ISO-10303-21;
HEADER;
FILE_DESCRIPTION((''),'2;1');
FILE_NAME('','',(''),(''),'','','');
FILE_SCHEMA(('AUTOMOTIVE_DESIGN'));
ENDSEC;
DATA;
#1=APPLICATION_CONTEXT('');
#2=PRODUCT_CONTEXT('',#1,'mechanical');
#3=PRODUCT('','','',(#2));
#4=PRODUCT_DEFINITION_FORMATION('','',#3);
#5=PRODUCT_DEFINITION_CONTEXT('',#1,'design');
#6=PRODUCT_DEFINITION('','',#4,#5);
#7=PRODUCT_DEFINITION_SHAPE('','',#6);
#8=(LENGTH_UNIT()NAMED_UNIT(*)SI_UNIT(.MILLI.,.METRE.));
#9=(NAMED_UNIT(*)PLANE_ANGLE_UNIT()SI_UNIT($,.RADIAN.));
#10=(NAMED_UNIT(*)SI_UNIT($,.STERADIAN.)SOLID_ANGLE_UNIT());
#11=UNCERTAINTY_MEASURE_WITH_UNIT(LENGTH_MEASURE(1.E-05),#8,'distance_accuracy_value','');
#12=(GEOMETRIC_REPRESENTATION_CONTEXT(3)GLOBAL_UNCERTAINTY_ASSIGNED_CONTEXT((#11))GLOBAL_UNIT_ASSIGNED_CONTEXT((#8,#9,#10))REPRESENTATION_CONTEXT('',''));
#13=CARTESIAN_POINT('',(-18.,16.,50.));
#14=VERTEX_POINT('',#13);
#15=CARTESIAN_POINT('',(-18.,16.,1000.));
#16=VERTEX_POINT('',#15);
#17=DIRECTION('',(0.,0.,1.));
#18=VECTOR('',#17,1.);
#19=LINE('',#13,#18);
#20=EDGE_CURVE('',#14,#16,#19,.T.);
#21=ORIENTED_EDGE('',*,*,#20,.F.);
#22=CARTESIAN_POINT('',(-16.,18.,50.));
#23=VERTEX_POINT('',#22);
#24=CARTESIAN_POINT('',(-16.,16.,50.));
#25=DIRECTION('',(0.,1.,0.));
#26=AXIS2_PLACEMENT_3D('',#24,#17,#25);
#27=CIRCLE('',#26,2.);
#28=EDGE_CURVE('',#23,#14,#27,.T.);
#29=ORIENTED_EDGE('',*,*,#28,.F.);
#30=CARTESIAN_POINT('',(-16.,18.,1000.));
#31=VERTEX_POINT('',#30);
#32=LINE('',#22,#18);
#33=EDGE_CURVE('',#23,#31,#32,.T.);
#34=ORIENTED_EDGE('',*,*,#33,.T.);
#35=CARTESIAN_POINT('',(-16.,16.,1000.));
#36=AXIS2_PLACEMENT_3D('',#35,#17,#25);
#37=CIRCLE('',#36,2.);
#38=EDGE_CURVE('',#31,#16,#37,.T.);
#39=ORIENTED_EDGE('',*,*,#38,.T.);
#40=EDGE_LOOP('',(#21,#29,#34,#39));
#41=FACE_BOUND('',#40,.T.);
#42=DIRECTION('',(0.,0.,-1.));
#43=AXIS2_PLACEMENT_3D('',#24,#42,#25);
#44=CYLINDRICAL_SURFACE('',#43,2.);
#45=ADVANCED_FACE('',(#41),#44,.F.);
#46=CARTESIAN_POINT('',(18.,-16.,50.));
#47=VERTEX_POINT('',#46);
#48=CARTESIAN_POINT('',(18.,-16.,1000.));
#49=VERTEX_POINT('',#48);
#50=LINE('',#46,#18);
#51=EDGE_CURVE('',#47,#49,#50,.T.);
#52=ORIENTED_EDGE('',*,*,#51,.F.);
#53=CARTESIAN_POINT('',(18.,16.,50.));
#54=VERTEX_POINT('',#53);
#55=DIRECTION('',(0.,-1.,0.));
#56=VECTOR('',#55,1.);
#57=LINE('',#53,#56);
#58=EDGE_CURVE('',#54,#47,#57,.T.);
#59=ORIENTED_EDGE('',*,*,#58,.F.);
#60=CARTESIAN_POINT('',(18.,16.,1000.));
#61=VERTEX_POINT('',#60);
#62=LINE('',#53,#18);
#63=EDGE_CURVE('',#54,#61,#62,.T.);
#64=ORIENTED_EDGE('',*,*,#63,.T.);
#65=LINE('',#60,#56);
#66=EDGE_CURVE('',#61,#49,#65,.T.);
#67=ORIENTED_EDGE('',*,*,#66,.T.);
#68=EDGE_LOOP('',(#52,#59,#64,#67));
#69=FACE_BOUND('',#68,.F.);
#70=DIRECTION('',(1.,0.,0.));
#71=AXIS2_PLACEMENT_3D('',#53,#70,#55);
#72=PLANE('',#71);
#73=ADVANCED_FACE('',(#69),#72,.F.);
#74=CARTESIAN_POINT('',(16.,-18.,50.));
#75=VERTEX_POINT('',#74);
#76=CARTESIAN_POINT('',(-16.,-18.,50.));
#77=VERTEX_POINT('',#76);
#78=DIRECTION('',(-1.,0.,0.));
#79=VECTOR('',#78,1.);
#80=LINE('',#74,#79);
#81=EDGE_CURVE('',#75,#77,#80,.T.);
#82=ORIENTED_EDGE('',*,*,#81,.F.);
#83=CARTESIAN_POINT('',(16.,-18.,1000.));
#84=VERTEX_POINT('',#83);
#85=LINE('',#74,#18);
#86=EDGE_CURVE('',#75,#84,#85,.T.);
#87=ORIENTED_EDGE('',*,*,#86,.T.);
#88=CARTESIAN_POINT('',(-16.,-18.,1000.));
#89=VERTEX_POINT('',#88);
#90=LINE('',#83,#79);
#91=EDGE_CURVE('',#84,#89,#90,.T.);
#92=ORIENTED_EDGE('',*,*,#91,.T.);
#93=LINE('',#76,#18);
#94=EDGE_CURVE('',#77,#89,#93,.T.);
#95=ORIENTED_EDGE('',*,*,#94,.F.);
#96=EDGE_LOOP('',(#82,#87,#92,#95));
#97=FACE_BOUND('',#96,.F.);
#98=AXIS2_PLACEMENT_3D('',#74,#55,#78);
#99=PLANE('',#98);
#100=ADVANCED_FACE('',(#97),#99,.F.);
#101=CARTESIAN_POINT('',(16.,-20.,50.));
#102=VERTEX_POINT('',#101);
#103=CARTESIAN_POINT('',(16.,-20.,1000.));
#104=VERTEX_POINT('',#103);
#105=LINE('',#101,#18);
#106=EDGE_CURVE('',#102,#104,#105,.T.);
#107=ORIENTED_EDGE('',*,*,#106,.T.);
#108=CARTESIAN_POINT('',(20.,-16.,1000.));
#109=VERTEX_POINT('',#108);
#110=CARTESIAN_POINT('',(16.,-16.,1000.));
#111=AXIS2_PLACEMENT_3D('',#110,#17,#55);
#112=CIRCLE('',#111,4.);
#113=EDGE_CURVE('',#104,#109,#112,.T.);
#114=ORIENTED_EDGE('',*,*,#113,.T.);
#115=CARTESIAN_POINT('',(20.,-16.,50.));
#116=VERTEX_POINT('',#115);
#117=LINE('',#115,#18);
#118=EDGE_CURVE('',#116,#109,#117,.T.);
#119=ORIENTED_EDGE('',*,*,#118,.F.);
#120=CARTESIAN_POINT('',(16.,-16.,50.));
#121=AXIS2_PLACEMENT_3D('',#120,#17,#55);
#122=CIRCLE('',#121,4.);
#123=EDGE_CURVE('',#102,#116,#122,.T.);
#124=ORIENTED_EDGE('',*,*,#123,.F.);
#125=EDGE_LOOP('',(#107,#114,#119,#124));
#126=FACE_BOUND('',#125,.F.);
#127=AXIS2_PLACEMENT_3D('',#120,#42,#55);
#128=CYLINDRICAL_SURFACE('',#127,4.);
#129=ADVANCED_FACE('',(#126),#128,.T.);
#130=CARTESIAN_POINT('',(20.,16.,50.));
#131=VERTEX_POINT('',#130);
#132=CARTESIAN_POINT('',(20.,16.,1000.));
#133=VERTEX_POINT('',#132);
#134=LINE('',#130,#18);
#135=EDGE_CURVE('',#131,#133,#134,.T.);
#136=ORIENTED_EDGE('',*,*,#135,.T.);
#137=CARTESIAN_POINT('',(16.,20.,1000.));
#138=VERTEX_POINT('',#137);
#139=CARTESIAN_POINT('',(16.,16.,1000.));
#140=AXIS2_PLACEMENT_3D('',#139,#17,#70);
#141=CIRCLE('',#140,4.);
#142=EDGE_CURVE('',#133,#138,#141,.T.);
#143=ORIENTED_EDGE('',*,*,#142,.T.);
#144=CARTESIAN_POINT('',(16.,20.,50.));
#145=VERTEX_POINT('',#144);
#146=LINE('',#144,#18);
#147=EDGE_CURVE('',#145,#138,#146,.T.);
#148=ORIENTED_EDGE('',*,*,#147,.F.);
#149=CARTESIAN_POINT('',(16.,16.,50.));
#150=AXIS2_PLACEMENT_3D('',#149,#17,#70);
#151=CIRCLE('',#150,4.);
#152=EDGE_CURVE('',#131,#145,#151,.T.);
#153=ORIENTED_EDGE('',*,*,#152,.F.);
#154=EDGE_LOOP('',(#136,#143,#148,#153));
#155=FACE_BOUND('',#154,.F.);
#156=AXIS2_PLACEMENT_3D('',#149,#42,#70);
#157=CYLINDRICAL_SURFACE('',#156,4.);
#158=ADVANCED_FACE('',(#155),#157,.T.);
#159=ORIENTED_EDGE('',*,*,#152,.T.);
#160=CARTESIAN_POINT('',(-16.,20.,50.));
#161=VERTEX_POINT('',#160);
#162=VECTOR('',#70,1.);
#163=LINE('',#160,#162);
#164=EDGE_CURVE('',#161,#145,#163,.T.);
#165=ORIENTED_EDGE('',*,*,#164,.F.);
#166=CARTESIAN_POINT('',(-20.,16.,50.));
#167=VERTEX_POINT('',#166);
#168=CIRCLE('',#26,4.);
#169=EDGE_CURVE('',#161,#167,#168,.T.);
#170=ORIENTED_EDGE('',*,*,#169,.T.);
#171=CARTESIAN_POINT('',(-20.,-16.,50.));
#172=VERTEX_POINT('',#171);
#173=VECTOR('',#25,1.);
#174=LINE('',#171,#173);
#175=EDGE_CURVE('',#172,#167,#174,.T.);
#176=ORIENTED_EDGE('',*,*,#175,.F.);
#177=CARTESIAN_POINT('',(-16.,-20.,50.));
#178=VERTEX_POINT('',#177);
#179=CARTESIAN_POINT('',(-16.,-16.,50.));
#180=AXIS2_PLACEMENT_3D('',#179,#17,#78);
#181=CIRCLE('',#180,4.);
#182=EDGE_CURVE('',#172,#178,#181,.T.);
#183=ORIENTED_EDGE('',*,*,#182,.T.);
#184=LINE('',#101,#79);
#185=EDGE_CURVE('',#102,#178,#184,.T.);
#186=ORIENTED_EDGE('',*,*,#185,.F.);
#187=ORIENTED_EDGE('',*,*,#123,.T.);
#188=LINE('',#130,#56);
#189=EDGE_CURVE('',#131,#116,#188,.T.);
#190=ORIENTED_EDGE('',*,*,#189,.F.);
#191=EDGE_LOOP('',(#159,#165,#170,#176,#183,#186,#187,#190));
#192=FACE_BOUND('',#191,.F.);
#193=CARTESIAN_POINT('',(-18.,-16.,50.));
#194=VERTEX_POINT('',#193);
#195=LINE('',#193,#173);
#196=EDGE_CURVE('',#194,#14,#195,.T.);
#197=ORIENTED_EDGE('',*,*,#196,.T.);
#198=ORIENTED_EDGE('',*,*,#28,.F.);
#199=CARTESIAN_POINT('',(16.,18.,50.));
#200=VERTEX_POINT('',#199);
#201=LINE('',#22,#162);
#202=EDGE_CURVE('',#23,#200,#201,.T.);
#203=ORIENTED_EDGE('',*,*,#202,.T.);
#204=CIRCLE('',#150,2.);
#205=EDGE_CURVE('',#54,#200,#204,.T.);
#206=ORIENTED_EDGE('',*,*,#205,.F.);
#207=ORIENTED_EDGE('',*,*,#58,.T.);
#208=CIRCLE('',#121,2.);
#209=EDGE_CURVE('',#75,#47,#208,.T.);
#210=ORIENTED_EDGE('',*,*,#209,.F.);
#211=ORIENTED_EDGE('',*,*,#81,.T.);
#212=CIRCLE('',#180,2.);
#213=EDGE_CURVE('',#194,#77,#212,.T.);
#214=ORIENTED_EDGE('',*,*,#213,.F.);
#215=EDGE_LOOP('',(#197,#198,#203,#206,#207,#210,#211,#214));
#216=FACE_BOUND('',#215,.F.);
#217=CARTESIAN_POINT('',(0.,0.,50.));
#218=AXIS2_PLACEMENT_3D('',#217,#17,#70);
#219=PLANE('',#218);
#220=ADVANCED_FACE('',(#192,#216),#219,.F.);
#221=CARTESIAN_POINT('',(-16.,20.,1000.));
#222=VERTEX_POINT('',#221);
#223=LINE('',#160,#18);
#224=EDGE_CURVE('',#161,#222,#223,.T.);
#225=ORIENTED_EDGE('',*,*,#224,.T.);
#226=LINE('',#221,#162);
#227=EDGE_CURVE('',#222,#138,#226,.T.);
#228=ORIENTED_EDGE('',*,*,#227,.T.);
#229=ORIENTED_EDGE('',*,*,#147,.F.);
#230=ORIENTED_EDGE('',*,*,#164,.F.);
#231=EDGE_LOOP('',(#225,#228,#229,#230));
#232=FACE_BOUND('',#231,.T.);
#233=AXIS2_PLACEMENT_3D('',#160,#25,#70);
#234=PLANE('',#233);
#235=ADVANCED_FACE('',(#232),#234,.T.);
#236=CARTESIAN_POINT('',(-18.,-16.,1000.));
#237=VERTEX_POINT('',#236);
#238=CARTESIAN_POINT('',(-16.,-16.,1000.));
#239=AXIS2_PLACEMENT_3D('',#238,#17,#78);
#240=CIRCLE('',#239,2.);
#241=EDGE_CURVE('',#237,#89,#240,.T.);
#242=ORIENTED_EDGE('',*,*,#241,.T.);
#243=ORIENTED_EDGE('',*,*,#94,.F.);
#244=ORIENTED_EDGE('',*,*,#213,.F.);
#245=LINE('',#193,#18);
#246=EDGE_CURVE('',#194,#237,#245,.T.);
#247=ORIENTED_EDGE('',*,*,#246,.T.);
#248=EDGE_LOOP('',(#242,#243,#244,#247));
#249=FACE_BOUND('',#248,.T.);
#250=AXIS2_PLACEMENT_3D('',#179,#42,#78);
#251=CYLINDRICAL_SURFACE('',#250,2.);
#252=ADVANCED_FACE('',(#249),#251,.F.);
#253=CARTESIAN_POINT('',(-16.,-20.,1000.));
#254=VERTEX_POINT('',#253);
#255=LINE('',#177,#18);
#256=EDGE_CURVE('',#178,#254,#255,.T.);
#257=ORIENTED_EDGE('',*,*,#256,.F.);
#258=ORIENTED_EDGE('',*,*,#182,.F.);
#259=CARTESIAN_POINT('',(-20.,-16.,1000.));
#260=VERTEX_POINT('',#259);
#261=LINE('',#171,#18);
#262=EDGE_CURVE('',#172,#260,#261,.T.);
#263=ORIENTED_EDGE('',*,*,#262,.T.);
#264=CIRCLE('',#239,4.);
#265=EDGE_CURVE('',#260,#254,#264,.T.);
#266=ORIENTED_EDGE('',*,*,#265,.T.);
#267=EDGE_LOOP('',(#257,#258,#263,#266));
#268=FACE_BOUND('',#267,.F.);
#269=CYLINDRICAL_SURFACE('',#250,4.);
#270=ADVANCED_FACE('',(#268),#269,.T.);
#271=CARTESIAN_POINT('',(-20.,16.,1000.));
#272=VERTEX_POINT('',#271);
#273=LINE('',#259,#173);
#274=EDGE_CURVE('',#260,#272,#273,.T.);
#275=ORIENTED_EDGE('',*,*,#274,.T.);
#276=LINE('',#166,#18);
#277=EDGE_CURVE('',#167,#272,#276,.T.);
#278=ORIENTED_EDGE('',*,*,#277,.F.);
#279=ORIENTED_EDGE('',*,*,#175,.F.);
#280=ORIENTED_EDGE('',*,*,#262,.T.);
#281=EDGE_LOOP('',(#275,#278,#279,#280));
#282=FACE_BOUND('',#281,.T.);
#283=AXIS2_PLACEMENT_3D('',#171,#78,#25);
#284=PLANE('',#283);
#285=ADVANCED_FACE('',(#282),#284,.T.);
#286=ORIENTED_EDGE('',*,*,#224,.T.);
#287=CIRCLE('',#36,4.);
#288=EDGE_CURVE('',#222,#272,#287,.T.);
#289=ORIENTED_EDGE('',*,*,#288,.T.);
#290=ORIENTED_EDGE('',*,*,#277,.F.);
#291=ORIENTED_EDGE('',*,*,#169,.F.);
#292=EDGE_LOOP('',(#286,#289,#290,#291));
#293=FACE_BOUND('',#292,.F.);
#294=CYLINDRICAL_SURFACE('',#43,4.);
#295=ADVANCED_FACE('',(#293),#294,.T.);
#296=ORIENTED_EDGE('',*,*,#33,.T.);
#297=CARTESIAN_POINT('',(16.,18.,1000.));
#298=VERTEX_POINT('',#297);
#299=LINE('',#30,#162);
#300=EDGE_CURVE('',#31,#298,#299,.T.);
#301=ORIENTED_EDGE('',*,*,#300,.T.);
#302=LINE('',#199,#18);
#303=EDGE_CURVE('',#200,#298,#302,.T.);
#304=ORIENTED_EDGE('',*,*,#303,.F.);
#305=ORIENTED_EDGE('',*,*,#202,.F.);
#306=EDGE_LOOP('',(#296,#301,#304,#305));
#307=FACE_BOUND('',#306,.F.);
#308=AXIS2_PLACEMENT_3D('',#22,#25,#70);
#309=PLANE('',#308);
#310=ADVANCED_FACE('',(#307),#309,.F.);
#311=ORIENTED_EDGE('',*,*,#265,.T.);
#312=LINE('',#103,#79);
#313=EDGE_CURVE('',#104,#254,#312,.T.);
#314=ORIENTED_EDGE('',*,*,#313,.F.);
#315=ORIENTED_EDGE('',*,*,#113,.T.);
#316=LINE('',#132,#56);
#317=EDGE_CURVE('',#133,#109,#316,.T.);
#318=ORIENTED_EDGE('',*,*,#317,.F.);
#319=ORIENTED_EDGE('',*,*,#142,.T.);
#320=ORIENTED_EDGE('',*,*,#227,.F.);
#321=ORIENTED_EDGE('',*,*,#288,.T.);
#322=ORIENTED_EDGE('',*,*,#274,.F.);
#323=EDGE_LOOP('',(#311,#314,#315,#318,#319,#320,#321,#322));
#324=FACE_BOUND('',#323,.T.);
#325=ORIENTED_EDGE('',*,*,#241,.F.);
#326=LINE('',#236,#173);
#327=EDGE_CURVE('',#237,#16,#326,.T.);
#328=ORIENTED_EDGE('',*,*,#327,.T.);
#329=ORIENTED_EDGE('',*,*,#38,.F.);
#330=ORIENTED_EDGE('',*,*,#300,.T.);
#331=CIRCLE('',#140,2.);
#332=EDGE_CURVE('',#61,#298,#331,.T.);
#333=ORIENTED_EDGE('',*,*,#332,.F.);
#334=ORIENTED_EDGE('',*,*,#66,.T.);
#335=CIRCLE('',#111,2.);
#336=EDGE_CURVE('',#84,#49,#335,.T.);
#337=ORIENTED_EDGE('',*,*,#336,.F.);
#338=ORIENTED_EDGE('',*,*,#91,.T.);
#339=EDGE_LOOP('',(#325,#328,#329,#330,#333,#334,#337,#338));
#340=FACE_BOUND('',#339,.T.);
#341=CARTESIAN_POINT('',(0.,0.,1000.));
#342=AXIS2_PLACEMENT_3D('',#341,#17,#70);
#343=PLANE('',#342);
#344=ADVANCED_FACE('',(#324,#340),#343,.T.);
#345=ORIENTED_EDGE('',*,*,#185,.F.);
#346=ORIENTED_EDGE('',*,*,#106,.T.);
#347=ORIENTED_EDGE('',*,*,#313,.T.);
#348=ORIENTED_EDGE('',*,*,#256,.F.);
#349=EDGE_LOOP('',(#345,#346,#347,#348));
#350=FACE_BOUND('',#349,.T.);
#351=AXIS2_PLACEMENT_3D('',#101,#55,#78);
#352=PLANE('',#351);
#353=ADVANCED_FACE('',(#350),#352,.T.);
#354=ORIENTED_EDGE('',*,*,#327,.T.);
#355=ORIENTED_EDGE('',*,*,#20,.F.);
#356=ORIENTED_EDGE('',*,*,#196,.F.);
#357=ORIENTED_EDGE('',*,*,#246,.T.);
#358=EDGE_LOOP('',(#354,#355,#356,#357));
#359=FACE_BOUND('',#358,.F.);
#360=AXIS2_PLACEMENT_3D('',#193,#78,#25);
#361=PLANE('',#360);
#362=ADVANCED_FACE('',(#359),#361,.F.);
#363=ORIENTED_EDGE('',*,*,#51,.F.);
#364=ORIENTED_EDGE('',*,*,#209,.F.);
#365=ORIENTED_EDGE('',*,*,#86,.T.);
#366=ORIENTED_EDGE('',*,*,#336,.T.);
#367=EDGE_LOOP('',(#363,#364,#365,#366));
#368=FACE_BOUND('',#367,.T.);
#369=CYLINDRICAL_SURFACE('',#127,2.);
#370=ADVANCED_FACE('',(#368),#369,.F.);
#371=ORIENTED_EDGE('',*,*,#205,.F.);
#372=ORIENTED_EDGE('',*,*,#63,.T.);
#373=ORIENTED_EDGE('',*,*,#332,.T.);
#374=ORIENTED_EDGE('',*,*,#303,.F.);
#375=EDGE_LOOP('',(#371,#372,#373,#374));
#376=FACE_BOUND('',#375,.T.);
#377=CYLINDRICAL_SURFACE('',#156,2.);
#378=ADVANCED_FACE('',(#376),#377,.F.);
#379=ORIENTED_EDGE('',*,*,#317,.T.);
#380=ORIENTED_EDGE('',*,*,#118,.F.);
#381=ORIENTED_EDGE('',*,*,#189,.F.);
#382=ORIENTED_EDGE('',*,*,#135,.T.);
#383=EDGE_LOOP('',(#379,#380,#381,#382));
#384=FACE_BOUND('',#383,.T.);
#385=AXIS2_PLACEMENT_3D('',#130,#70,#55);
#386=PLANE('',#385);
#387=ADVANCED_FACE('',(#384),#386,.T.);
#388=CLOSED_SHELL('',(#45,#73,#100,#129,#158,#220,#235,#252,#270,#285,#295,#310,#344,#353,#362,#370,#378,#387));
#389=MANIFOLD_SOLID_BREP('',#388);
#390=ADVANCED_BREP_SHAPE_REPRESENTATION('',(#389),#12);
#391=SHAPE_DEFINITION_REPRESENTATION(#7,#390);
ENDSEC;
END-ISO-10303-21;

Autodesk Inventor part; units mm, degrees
ref_plane "YZ Plane" through (0, 0, 0) normal (1, 0, 0) x (0, 1, 0)
ref_plane "Start Plane" through (0, 0, 50) normal (0, 0, 1) x (1, 0, 0)
ref_plane "End Plane" through (0, 0, 1000) normal (0, 0, 1) x (1, 0, 0)
sketch "Sketch" plane through (0, 0, 0) normal (0, 0, 1) x (1, 0, 0)
  line L0 (-20, -16) -> (-20, 16)
  line L1 (-16, 20) -> (16, 20)
  line L2 (20, 16) -> (20, -16)
  line L3 (16, -20) -> (-16, -20)
  arc A0 (-20, -16) -> (-16, -20) centre (-16, -16) ccw
  arc A1 (20, 16) -> (16, 20) centre (16, 16) ccw
  arc A2 (-16, 20) -> (-20, 16) centre (-16, 16) ccw
  arc A3 (16, -20) -> (20, -16) centre (16, -16) ccw
  arc A4 (-16, 18) -> (-18, 16) centre (-16, 16) ccw
  line L4 (-16, 18) -> (16, 18)
  arc A5 (18, 16) -> (16, 18) centre (16, 16) ccw
  line L5 (18, 16) -> (18, -16)
  arc A6 (16, -18) -> (18, -16) centre (16, -16) ccw
  line L6 (16, -18) -> (-16, -18)
  arc A7 (-18, -16) -> (-16, -18) centre (-16, -16) ccw
  line L7 (-18, -16) -> (-18, 16)
  line L8 (0, 29.1598) -> (0, -29.1598) construction
  line L9 (-29.1598, 0) -> (29.1598, 0) construction
  dimension "d7" = 4
  dimension "d9" = 40
  dimension "d11" = 40
  dimension "d12" = 2
  dimension "d15" = 20
  dimension "d16" = 20
extrude "Body" add sketch "Sketch" along normal up to surface (950 mm away) from surface at 50
sketch "Sketch3" plane through (0, 0, 0) normal (0, 0, 1) x (1, 0, 0)
  line L0 (0, 0) -> (10, 0)
ref_plane "Work Plane3" through (0, 0, 0) normal (0, -1, 0) x (1, 0, 0)
sketch "Sketch4" plane through (0, 0, 0) normal (0, -1, 0) x (1, 0, 0)
  line L0 (-2, 50) -> (12, 50) projected
  line L1 (-2, 1000) -> (12, 1000) projected
  dimension "d18" = 950
equation "\"d7\" = G_IR"
equation "\"d9\" = G_W"
equation "\"d11\" = G_H"
equation "\"d12\" = G_T"
equation "\"d15\" = 0.5 * d9"
equation "\"d16\" = 0.5 * d11"
equation "\"d3\" = G_L"
equation "\"G_W\" = 40"
equation "\"G_H\" = 40"
equation "\"G_T\" = 2"
equation "\"G_IR\" = 4"
equation "\"G_L\" = d18"
properties part number "ISO 10799-2 - 40x40x2 - 950" material "Steel, Mild"
